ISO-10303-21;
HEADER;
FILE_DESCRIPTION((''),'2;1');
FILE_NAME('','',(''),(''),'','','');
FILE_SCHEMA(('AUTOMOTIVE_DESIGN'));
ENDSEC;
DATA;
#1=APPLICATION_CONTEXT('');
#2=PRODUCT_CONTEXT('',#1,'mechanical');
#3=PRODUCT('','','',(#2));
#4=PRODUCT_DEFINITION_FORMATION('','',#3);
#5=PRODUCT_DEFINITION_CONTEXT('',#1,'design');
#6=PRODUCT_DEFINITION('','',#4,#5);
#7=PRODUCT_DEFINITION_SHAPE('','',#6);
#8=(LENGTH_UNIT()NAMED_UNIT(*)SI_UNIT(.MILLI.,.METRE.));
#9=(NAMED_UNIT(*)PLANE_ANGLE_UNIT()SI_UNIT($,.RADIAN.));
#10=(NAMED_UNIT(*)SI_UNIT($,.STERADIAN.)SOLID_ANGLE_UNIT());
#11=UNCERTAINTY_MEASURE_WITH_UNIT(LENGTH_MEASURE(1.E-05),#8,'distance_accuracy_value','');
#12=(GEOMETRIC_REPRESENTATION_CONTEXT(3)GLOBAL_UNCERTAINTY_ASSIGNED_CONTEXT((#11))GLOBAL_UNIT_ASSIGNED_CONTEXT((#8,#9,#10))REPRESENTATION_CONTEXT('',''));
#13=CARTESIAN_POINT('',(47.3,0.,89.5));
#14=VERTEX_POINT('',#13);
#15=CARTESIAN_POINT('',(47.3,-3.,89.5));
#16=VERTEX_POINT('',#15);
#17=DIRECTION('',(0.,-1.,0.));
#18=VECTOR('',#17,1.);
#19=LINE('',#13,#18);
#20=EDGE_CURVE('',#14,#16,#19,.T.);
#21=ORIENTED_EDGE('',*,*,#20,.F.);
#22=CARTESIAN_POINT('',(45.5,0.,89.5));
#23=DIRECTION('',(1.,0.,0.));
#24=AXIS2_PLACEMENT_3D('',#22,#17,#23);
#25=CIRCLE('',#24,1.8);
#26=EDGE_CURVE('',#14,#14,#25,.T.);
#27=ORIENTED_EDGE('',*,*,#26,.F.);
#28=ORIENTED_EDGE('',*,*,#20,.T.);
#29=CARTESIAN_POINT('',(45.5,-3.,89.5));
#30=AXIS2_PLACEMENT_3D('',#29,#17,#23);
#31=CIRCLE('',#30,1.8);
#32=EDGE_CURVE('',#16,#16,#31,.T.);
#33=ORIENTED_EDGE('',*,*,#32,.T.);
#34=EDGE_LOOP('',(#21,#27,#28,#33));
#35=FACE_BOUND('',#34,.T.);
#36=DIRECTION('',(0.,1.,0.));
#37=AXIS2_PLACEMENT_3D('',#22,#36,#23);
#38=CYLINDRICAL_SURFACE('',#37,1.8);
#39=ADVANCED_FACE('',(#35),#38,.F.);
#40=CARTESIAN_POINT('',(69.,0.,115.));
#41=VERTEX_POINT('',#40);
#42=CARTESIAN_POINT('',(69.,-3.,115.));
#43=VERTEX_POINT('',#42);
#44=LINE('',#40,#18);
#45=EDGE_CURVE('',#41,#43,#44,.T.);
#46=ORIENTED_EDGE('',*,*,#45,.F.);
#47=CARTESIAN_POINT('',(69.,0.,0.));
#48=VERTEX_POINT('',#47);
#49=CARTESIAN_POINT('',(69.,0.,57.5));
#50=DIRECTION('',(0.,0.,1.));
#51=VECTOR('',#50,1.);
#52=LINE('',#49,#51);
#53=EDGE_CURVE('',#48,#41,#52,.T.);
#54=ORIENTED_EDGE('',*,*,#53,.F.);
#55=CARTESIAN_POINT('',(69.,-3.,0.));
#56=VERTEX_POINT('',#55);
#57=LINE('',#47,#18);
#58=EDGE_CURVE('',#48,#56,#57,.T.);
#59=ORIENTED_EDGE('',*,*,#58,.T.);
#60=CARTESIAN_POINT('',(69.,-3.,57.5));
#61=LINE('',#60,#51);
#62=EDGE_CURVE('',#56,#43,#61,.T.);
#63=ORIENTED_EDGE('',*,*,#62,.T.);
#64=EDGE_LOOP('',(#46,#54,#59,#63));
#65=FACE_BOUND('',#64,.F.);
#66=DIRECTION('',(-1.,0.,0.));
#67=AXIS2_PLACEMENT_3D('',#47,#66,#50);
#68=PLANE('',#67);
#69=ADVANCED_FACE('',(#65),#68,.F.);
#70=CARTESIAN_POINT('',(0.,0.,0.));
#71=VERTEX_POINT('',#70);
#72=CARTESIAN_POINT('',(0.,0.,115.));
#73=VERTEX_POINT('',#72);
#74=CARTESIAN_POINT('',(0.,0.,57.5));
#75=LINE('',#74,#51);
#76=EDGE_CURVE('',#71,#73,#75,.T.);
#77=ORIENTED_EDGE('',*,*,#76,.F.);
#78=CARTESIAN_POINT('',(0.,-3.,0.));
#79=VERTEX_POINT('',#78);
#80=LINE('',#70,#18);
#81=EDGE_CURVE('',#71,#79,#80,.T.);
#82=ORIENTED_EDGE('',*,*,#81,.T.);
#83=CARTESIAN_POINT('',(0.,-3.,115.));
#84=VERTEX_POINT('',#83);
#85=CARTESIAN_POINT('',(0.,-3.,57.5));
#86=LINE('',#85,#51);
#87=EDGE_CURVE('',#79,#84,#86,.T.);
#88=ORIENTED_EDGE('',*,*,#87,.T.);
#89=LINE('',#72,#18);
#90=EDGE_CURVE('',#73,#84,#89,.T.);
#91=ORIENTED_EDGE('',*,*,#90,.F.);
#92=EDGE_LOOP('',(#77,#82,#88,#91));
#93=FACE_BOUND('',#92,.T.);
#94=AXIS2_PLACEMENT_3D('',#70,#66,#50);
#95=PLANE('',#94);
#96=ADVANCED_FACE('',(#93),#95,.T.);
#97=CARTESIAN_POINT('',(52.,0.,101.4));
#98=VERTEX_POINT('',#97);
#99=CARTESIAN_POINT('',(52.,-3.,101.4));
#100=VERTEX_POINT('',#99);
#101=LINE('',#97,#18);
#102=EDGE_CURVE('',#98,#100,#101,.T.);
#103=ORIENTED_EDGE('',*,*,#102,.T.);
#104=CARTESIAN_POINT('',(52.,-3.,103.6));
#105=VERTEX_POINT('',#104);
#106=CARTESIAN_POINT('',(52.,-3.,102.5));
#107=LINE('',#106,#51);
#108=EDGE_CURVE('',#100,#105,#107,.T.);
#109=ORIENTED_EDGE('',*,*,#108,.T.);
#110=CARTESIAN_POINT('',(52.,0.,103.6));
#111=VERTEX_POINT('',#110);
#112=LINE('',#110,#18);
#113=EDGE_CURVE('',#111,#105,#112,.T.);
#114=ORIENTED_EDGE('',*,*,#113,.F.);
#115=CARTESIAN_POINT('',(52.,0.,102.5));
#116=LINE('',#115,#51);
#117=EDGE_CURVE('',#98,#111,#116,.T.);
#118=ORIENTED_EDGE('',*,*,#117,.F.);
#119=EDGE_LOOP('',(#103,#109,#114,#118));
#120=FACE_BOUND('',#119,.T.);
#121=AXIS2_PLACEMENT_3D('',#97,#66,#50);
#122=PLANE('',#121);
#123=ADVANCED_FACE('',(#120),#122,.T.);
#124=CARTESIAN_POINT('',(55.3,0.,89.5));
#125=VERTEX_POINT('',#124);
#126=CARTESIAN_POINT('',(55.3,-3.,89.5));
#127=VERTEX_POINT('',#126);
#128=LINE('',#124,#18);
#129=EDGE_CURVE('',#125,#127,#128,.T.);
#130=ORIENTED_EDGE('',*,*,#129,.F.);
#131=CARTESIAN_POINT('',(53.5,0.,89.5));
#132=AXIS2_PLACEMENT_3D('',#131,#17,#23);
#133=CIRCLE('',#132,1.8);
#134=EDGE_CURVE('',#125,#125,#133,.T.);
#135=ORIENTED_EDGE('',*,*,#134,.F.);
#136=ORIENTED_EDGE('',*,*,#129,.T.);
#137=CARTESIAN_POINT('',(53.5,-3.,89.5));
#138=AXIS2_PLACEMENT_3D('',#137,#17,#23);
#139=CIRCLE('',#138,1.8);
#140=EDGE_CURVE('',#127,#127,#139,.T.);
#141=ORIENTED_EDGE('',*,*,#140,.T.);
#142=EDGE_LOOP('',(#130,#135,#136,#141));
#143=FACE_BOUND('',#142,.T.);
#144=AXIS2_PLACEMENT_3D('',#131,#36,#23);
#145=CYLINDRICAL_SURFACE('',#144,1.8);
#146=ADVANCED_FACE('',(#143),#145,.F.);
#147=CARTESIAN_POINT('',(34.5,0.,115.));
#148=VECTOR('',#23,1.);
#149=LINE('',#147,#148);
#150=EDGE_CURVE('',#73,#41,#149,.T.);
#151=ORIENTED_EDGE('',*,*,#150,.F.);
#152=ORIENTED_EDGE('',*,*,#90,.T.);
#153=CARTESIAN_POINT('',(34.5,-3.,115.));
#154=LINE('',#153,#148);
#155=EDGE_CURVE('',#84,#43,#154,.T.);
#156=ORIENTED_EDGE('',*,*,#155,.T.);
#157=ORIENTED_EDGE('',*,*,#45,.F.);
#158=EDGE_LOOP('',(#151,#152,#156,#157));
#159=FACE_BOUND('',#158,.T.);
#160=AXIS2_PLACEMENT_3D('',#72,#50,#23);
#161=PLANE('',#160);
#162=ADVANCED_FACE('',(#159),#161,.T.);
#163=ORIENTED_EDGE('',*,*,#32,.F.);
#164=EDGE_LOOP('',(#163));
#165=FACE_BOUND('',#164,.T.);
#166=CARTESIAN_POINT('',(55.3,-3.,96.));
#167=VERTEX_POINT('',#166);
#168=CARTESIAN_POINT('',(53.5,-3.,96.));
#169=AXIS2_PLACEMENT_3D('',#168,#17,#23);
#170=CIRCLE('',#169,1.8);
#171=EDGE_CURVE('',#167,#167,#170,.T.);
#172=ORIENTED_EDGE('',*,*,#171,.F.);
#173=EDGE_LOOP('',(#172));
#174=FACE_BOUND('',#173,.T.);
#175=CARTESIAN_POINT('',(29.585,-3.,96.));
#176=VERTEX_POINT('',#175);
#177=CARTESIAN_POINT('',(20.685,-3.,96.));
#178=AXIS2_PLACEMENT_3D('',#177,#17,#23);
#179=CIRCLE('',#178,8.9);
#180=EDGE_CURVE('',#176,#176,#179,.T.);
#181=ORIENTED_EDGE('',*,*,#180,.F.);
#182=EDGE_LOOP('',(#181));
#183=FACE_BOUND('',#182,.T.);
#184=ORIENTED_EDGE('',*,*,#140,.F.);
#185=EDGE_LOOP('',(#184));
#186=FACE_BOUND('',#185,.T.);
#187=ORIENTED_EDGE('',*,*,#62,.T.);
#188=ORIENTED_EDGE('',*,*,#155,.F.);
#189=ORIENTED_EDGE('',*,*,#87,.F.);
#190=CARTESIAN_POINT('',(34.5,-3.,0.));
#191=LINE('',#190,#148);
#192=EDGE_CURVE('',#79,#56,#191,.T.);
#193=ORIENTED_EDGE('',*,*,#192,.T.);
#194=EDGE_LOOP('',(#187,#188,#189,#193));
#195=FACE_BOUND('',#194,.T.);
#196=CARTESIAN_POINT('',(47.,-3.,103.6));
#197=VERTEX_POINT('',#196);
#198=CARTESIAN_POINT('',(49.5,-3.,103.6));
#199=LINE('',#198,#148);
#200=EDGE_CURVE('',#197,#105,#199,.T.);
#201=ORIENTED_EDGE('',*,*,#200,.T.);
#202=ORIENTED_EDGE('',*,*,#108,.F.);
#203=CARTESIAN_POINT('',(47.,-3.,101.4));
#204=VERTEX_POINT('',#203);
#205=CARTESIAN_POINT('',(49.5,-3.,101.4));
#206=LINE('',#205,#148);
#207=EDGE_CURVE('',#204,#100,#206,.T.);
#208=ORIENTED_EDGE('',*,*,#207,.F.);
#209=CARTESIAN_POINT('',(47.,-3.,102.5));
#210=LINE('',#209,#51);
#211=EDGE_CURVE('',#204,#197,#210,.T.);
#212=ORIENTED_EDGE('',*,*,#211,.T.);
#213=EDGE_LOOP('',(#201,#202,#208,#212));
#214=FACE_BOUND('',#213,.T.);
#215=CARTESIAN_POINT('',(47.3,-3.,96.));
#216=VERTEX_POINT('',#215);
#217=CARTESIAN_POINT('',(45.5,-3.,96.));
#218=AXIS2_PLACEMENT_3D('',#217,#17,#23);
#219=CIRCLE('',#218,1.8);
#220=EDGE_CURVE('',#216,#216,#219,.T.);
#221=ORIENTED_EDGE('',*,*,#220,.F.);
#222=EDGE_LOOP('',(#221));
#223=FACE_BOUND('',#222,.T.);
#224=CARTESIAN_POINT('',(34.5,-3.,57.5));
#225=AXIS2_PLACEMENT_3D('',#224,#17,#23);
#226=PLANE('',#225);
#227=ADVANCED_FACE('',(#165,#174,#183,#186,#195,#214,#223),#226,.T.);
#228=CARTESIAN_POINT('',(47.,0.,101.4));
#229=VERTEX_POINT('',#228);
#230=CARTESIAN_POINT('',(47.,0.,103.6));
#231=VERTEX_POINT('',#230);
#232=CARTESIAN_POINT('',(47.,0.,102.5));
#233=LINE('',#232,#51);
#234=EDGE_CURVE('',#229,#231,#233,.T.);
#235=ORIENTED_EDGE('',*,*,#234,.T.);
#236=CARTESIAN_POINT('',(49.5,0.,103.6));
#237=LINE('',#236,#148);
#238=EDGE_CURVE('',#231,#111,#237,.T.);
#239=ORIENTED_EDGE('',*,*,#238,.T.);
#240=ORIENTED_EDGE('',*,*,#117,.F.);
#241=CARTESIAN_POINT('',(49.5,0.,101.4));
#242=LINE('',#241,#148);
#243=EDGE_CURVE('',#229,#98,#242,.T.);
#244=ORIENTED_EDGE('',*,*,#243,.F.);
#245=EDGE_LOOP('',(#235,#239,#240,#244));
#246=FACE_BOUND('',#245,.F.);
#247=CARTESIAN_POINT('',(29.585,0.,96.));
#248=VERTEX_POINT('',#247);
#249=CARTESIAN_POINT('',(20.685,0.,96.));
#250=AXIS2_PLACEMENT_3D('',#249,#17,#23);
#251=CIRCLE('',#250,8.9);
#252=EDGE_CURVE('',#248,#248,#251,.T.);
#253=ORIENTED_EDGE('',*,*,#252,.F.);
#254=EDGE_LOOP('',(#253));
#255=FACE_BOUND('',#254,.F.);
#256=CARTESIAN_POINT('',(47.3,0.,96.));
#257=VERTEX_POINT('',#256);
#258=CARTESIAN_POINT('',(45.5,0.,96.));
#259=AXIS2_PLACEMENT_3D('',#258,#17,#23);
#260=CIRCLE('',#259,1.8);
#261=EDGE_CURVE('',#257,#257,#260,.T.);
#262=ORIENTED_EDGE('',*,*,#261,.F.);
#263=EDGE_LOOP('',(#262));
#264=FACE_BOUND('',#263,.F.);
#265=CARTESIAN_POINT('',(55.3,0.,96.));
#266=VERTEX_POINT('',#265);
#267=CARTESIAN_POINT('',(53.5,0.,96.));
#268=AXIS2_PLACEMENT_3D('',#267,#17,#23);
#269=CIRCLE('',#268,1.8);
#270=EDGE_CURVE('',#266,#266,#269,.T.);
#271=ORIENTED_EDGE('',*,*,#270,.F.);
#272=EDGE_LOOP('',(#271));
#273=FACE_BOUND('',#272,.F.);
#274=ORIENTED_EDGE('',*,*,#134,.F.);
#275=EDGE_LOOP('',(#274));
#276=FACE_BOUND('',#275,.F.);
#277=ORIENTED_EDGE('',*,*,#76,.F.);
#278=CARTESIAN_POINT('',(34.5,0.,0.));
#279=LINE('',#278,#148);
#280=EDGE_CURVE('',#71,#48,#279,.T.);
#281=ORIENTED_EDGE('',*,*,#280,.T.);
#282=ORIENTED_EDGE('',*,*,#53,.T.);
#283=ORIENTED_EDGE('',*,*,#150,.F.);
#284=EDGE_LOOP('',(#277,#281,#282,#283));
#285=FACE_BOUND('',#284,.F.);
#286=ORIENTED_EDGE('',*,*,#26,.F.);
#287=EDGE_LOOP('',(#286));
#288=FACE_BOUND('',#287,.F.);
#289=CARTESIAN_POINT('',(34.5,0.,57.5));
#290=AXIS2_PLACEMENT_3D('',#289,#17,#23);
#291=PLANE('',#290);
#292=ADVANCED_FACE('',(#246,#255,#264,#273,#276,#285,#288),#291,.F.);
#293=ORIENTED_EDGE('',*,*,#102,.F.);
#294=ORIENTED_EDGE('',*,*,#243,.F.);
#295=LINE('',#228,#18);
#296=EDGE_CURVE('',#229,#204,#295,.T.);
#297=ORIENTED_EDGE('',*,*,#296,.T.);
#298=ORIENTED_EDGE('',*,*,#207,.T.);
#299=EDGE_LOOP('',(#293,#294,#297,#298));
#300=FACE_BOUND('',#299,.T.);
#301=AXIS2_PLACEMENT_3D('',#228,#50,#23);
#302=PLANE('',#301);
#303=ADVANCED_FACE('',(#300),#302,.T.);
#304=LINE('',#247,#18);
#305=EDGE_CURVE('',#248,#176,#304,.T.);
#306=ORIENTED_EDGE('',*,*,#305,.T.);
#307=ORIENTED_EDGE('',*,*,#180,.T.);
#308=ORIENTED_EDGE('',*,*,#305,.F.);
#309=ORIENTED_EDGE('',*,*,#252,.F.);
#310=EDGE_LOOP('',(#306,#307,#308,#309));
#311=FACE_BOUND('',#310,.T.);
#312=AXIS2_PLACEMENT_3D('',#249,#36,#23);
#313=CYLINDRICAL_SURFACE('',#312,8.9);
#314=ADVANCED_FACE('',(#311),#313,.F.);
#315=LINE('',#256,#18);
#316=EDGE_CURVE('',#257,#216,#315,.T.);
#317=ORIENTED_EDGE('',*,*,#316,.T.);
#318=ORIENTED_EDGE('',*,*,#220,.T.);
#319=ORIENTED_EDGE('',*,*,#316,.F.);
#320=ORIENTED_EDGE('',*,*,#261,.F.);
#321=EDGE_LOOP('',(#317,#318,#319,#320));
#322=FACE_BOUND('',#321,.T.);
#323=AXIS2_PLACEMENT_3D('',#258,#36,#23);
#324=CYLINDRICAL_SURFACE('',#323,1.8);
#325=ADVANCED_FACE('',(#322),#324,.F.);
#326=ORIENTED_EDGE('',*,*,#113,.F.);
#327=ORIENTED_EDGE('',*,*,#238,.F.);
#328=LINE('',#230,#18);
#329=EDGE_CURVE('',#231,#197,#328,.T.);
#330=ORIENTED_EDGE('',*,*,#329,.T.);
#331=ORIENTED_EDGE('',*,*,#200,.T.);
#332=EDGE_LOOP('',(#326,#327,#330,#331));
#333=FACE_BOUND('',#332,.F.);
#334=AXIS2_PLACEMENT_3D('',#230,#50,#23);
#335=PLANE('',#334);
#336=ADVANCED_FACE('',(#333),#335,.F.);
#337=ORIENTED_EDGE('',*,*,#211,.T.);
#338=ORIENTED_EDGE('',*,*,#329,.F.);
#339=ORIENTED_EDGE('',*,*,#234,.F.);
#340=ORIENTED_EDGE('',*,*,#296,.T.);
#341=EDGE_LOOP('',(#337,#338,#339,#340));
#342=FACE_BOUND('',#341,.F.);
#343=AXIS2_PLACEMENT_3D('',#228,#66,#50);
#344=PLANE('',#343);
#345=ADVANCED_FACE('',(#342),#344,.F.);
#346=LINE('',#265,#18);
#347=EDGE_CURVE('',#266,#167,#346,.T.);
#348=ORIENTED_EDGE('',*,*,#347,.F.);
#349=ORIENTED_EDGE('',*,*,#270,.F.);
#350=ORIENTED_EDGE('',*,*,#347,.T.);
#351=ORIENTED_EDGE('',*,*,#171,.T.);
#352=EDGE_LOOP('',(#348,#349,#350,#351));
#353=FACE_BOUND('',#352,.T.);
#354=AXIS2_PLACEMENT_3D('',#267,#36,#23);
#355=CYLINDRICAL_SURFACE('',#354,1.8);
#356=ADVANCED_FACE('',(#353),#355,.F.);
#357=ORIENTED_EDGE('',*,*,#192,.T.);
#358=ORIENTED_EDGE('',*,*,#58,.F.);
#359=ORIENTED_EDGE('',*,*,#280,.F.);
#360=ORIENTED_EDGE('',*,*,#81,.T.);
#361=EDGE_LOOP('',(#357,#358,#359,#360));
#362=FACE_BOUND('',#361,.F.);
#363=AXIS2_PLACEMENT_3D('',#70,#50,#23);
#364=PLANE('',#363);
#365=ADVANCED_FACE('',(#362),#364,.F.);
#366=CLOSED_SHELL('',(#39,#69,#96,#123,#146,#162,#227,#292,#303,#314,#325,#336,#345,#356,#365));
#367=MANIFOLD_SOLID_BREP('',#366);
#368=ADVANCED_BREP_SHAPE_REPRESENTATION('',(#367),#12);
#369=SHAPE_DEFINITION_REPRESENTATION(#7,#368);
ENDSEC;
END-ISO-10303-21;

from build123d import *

# Parameters (mm, degrees)
F0_W     = 69
F0_H     = 115
F0_R     = 8.9
F0_R_2   = 1.8
F0_W_2   = 5
F0_H_2   = 2.2
F1_DEPTH = 3


with BuildPart() as f1:
    # F0 (on Front) → F1 (new body)
    with BuildSketch(Plane.XZ):
        with Locations((34.5, 57.5)):
            Rectangle(F0_W, F0_H)
        with Locations((20.685, 96)):
            Circle(F0_R, mode=Mode.SUBTRACT)
        with Locations((45.5, 89.5)):
            Circle(F0_R_2, mode=Mode.SUBTRACT)
        with Locations((45.5, 96)):
            Circle(F0_R_2, mode=Mode.SUBTRACT)
        with Locations((49.5, 102.5)):
            Rectangle(F0_W_2, F0_H_2, mode=Mode.SUBTRACT)
        with Locations((53.5, 89.5)):
            Circle(F0_R_2, mode=Mode.SUBTRACT)
        with Locations((53.5, 96)):
            Circle(F0_R_2, mode=Mode.SUBTRACT)
    extrude(amount=F1_DEPTH)


solid = f1.part
